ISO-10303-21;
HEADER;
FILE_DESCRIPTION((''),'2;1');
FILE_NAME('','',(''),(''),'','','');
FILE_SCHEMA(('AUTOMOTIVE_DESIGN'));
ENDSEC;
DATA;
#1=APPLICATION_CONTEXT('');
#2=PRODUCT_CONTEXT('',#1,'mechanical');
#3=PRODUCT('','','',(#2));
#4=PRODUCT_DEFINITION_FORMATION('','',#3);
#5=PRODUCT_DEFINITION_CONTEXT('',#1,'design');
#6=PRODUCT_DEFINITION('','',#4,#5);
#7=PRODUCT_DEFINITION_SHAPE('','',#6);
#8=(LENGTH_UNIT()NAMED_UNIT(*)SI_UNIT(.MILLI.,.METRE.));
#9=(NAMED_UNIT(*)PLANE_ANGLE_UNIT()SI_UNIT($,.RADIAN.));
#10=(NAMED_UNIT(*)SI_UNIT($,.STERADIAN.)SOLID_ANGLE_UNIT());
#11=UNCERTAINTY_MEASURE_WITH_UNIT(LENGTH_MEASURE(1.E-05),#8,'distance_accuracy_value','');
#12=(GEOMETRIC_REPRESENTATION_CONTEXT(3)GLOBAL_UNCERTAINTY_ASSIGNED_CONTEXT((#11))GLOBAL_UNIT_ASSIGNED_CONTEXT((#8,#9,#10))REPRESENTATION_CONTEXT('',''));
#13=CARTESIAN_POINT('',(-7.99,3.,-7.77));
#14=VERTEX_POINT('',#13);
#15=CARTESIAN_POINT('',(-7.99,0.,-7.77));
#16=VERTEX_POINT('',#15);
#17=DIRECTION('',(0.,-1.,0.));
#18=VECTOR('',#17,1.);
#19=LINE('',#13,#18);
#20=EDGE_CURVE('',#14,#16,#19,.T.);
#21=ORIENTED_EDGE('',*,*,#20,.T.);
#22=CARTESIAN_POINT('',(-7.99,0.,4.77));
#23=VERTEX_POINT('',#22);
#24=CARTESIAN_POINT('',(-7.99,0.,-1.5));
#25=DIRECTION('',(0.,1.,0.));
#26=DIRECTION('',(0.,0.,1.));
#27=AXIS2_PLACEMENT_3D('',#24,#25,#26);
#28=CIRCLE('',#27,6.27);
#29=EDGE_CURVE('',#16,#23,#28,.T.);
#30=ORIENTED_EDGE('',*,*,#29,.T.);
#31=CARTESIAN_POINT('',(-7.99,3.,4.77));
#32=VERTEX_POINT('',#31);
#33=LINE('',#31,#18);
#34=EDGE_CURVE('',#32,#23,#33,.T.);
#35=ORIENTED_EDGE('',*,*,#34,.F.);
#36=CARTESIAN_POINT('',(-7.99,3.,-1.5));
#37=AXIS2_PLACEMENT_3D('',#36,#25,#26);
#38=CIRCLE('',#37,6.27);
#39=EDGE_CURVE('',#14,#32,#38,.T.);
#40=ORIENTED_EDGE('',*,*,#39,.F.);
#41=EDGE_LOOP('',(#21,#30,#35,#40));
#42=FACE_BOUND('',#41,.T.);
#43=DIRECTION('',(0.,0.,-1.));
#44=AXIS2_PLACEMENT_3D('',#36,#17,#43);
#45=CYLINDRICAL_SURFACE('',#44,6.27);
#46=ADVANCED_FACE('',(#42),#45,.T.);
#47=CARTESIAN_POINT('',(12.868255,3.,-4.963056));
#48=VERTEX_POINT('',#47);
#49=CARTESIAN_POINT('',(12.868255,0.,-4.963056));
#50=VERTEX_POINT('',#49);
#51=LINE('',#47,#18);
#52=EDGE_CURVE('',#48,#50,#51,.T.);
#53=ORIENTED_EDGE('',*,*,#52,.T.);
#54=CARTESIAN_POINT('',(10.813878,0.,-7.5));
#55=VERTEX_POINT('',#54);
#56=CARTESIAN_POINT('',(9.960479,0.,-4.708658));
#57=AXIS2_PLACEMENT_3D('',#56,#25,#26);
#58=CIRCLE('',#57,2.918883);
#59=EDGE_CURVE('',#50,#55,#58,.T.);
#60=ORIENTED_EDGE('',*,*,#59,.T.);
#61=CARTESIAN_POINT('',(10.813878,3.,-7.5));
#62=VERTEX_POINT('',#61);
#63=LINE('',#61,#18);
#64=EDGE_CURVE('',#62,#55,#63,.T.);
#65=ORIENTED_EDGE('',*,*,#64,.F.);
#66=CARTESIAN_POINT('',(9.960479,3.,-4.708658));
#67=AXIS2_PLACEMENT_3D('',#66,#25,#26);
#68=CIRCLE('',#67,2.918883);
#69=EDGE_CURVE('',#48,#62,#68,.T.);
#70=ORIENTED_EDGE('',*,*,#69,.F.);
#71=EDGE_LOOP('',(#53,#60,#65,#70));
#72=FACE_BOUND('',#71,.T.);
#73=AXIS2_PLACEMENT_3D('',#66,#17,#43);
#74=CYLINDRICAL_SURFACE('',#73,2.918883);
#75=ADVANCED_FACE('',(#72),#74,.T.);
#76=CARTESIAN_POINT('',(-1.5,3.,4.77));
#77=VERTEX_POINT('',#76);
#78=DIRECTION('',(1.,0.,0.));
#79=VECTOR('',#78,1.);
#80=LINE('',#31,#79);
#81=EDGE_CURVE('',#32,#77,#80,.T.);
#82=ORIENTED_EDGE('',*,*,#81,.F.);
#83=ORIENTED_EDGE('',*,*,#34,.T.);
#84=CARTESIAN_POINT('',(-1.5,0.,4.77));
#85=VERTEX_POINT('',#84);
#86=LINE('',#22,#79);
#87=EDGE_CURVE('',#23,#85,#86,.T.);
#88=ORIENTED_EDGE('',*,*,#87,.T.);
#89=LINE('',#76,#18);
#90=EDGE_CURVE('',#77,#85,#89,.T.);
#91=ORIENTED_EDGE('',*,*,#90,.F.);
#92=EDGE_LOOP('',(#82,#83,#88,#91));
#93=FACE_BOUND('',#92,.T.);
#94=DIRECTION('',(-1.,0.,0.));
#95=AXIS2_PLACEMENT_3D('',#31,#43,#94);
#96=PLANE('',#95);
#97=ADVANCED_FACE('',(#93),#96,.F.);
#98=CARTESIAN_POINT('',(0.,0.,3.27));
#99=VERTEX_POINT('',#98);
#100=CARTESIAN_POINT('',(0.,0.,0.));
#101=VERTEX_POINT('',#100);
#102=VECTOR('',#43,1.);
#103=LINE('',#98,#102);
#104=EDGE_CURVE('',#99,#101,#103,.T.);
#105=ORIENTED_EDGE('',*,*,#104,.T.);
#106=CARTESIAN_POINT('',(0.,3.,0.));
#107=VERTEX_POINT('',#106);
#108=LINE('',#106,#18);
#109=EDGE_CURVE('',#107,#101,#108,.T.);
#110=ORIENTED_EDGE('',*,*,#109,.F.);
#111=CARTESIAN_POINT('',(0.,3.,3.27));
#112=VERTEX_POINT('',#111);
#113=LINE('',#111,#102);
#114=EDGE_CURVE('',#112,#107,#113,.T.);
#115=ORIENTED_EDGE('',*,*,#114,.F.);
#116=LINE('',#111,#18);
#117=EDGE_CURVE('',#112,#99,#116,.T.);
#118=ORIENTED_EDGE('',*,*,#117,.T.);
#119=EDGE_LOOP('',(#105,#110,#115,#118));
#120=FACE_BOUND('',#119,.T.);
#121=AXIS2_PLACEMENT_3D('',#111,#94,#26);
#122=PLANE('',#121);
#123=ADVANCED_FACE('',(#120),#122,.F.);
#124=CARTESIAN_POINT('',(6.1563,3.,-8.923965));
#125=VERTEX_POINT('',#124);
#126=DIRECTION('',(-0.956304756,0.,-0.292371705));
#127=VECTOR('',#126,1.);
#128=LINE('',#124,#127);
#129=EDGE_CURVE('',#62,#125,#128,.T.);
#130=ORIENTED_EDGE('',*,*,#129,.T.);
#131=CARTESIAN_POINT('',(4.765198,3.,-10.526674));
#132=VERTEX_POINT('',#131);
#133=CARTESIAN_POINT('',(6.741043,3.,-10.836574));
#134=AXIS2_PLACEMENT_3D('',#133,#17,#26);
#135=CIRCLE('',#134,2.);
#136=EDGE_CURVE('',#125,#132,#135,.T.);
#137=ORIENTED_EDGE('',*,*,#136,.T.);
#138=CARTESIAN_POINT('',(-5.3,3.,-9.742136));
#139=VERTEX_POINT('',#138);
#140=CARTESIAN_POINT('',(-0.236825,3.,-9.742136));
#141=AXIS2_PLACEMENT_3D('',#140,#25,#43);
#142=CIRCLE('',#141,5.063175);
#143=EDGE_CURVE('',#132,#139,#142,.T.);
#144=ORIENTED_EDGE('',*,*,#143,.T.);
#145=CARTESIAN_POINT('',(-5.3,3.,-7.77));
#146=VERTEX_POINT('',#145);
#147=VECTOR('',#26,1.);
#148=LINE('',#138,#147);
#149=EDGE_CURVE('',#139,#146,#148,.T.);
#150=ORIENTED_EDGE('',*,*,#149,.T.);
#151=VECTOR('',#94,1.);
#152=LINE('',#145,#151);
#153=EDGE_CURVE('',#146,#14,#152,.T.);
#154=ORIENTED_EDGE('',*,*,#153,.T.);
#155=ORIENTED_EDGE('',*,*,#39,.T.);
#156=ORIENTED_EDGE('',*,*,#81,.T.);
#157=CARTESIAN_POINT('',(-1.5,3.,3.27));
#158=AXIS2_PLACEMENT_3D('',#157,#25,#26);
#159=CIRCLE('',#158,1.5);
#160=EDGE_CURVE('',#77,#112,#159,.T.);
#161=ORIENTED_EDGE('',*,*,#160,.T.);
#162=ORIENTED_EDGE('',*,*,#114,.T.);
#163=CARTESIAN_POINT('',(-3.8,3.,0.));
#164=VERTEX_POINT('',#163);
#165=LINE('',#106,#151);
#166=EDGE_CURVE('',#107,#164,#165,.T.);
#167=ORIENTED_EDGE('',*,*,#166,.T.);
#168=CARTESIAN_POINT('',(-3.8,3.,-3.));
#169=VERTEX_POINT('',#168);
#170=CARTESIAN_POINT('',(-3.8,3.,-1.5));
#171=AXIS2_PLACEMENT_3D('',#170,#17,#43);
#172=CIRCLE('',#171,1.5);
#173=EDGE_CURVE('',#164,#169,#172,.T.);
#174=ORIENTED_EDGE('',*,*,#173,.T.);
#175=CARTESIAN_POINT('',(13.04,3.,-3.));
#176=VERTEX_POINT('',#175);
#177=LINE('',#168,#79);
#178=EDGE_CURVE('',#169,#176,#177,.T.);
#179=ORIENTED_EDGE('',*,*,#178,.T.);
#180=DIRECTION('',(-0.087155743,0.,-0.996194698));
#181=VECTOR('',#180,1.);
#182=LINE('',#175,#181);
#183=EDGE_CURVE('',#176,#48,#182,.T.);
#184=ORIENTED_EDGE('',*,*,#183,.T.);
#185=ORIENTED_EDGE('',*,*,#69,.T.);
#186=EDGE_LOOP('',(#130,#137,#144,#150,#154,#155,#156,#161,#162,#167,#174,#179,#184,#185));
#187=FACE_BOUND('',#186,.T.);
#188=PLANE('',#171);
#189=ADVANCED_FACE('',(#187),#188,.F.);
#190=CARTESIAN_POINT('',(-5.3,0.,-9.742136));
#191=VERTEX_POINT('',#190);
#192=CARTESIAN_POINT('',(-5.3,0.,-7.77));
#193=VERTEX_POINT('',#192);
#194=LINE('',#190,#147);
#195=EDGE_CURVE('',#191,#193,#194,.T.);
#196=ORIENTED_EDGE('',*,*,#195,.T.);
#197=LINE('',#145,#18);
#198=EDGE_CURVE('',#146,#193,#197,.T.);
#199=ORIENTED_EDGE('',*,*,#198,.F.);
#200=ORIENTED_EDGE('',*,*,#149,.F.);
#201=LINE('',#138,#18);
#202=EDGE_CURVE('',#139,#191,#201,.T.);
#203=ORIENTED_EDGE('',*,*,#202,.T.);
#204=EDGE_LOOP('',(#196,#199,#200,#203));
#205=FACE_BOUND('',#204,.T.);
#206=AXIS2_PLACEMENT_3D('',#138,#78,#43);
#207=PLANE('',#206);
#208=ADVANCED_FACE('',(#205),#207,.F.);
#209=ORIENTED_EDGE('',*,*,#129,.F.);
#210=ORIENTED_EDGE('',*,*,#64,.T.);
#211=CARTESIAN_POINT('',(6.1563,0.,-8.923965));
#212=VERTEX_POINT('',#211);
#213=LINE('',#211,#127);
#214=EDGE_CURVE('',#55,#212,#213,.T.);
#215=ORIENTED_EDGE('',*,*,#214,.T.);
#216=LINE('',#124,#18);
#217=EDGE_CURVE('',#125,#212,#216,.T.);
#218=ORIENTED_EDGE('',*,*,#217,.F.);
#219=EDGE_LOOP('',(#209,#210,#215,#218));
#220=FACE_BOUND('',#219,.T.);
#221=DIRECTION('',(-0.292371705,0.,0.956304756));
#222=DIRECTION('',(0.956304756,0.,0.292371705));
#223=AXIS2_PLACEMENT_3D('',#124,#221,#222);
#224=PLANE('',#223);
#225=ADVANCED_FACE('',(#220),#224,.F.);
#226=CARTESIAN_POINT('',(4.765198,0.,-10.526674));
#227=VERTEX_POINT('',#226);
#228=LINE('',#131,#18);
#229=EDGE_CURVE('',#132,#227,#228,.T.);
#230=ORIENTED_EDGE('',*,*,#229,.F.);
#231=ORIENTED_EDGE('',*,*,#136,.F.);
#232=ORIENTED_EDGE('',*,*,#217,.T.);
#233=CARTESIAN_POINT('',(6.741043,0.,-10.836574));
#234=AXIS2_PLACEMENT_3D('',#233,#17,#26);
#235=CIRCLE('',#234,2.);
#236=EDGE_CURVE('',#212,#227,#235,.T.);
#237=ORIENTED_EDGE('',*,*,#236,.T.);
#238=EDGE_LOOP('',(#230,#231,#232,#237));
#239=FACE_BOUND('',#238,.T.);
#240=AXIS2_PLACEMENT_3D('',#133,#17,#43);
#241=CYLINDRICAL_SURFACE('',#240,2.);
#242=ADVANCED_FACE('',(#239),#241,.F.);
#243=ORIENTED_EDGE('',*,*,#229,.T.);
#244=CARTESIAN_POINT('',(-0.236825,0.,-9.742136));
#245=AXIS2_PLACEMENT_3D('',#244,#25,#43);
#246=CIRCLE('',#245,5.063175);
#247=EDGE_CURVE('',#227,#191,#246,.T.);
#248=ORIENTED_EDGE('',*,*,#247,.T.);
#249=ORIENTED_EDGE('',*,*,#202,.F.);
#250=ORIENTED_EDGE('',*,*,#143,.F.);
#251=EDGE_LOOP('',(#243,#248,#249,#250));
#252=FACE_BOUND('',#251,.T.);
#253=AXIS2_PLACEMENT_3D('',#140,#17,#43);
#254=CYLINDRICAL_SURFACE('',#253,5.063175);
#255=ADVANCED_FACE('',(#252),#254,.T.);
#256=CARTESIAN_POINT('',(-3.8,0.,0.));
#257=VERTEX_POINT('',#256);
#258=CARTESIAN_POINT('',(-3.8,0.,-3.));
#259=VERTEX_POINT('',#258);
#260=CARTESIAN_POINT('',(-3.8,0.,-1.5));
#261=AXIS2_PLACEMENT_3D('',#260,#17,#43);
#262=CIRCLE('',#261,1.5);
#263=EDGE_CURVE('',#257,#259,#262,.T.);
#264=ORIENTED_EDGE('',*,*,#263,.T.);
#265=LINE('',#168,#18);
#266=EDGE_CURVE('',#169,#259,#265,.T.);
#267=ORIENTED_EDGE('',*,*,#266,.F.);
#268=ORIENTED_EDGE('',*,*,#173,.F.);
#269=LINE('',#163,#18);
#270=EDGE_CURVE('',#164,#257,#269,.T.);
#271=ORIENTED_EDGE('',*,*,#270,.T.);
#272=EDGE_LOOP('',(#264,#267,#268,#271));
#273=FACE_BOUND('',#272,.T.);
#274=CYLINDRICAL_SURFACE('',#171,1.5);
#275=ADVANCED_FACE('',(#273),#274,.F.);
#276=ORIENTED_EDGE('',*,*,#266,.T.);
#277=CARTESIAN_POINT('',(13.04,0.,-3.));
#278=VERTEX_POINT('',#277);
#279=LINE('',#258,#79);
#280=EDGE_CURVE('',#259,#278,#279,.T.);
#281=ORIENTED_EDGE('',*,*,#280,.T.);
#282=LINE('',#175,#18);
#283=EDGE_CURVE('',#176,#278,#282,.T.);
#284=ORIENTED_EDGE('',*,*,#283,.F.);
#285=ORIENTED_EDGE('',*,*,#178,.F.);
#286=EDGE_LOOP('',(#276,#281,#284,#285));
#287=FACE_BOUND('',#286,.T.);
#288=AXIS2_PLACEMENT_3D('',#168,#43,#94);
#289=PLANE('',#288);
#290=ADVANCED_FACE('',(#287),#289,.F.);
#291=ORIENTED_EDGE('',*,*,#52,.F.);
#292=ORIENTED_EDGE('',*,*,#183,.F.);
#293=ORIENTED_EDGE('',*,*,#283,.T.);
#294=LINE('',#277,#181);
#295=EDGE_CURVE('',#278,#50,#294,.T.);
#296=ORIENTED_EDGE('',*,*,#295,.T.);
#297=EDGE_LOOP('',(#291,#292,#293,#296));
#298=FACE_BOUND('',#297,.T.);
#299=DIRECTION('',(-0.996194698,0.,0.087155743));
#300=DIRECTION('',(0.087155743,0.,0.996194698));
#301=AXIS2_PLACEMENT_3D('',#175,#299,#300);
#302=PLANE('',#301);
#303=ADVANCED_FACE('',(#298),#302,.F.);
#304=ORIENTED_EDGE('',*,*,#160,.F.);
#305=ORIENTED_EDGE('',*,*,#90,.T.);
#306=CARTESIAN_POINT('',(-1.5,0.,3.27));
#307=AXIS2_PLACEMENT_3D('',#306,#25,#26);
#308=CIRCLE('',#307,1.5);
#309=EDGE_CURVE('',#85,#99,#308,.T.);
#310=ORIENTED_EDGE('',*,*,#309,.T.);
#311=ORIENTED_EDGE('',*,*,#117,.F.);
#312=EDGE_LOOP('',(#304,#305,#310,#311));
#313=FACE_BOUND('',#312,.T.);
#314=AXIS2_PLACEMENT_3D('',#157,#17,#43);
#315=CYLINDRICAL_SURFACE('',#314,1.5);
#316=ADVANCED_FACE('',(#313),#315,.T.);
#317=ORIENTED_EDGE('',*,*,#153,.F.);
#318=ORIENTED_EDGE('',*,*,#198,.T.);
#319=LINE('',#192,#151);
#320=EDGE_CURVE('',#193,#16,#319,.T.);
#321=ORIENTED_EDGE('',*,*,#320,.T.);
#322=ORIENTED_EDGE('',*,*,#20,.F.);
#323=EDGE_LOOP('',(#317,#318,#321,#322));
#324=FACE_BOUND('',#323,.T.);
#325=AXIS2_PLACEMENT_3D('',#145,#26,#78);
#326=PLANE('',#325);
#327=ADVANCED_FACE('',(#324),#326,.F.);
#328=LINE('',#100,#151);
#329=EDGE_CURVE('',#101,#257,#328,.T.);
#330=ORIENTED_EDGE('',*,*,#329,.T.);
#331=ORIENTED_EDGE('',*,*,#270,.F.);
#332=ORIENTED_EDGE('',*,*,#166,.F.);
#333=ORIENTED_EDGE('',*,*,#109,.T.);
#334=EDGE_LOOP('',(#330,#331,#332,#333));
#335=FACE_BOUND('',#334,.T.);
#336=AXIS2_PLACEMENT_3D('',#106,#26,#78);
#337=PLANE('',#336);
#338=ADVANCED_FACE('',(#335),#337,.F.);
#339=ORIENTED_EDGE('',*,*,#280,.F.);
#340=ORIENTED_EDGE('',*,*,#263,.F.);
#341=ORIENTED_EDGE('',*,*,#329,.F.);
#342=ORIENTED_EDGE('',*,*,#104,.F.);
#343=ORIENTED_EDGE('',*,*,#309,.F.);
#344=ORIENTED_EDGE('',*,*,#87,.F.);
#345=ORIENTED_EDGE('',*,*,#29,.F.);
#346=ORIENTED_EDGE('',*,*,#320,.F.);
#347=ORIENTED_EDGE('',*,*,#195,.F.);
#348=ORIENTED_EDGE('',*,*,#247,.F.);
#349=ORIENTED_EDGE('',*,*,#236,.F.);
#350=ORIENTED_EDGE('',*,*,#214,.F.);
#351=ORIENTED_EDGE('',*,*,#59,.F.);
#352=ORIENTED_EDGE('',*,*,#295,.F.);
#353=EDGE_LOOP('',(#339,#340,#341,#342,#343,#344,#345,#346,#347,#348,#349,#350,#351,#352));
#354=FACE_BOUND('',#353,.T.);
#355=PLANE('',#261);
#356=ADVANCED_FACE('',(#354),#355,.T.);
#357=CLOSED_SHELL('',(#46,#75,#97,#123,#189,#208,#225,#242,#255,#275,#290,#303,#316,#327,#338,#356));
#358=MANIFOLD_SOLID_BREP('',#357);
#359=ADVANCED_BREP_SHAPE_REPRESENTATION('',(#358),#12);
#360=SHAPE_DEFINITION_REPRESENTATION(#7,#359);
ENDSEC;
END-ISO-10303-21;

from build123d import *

# Parameters (mm, degrees)
BOSS_EXTRUDE2_DEPTH = 3


with BuildPart() as part:
    # Sketch1 → Boss-Extrude2 (new body)
    with BuildSketch(Plane(origin=(0, 0, 0), x_dir=(1, 0, 0), z_dir=(0, 1, 0))):
        with BuildLine():
            Line((0, 0), (-3.8, 0))
            ThreePointArc((-3.8, 0), (-5.3, 1.5), (-3.8, 3))
            Line((-3.8, 3), (13.04, 3))
            Line((13.04, 3), (12.868254879, 4.963055716))
            ThreePointArc((12.868254879, 4.963055716), (12.228877244, 6.545570894), (10.813877905, 7.5))
            Line((10.813877905, 7.5), (6.156299709, 8.923964556))
            ThreePointArc((6.156299709, 8.923964556), (5.230638373, 9.525590656), (4.765198448, 10.526674344))
            ThreePointArc((4.765198448, 10.526674344), (-0.630284052, 14.79), (-5.3, 9.742136094))
            Line((-5.3, 9.742136094), (-5.3, 7.77))
            Line((-5.3, 7.77), (-7.99, 7.77))
            ThreePointArc((-7.99, 7.77), (-14.26, 1.5), (-7.99, -4.77))
            Line((-7.99, -4.77), (-1.5, -4.77))
            ThreePointArc((-1.5, -4.77), (-0.439339828, -4.330660172), (0, -3.27))
            Line((0, -3.27), (0, 0))
        make_face()
    extrude(amount=BOSS_EXTRUDE2_DEPTH)


solid = part.part
